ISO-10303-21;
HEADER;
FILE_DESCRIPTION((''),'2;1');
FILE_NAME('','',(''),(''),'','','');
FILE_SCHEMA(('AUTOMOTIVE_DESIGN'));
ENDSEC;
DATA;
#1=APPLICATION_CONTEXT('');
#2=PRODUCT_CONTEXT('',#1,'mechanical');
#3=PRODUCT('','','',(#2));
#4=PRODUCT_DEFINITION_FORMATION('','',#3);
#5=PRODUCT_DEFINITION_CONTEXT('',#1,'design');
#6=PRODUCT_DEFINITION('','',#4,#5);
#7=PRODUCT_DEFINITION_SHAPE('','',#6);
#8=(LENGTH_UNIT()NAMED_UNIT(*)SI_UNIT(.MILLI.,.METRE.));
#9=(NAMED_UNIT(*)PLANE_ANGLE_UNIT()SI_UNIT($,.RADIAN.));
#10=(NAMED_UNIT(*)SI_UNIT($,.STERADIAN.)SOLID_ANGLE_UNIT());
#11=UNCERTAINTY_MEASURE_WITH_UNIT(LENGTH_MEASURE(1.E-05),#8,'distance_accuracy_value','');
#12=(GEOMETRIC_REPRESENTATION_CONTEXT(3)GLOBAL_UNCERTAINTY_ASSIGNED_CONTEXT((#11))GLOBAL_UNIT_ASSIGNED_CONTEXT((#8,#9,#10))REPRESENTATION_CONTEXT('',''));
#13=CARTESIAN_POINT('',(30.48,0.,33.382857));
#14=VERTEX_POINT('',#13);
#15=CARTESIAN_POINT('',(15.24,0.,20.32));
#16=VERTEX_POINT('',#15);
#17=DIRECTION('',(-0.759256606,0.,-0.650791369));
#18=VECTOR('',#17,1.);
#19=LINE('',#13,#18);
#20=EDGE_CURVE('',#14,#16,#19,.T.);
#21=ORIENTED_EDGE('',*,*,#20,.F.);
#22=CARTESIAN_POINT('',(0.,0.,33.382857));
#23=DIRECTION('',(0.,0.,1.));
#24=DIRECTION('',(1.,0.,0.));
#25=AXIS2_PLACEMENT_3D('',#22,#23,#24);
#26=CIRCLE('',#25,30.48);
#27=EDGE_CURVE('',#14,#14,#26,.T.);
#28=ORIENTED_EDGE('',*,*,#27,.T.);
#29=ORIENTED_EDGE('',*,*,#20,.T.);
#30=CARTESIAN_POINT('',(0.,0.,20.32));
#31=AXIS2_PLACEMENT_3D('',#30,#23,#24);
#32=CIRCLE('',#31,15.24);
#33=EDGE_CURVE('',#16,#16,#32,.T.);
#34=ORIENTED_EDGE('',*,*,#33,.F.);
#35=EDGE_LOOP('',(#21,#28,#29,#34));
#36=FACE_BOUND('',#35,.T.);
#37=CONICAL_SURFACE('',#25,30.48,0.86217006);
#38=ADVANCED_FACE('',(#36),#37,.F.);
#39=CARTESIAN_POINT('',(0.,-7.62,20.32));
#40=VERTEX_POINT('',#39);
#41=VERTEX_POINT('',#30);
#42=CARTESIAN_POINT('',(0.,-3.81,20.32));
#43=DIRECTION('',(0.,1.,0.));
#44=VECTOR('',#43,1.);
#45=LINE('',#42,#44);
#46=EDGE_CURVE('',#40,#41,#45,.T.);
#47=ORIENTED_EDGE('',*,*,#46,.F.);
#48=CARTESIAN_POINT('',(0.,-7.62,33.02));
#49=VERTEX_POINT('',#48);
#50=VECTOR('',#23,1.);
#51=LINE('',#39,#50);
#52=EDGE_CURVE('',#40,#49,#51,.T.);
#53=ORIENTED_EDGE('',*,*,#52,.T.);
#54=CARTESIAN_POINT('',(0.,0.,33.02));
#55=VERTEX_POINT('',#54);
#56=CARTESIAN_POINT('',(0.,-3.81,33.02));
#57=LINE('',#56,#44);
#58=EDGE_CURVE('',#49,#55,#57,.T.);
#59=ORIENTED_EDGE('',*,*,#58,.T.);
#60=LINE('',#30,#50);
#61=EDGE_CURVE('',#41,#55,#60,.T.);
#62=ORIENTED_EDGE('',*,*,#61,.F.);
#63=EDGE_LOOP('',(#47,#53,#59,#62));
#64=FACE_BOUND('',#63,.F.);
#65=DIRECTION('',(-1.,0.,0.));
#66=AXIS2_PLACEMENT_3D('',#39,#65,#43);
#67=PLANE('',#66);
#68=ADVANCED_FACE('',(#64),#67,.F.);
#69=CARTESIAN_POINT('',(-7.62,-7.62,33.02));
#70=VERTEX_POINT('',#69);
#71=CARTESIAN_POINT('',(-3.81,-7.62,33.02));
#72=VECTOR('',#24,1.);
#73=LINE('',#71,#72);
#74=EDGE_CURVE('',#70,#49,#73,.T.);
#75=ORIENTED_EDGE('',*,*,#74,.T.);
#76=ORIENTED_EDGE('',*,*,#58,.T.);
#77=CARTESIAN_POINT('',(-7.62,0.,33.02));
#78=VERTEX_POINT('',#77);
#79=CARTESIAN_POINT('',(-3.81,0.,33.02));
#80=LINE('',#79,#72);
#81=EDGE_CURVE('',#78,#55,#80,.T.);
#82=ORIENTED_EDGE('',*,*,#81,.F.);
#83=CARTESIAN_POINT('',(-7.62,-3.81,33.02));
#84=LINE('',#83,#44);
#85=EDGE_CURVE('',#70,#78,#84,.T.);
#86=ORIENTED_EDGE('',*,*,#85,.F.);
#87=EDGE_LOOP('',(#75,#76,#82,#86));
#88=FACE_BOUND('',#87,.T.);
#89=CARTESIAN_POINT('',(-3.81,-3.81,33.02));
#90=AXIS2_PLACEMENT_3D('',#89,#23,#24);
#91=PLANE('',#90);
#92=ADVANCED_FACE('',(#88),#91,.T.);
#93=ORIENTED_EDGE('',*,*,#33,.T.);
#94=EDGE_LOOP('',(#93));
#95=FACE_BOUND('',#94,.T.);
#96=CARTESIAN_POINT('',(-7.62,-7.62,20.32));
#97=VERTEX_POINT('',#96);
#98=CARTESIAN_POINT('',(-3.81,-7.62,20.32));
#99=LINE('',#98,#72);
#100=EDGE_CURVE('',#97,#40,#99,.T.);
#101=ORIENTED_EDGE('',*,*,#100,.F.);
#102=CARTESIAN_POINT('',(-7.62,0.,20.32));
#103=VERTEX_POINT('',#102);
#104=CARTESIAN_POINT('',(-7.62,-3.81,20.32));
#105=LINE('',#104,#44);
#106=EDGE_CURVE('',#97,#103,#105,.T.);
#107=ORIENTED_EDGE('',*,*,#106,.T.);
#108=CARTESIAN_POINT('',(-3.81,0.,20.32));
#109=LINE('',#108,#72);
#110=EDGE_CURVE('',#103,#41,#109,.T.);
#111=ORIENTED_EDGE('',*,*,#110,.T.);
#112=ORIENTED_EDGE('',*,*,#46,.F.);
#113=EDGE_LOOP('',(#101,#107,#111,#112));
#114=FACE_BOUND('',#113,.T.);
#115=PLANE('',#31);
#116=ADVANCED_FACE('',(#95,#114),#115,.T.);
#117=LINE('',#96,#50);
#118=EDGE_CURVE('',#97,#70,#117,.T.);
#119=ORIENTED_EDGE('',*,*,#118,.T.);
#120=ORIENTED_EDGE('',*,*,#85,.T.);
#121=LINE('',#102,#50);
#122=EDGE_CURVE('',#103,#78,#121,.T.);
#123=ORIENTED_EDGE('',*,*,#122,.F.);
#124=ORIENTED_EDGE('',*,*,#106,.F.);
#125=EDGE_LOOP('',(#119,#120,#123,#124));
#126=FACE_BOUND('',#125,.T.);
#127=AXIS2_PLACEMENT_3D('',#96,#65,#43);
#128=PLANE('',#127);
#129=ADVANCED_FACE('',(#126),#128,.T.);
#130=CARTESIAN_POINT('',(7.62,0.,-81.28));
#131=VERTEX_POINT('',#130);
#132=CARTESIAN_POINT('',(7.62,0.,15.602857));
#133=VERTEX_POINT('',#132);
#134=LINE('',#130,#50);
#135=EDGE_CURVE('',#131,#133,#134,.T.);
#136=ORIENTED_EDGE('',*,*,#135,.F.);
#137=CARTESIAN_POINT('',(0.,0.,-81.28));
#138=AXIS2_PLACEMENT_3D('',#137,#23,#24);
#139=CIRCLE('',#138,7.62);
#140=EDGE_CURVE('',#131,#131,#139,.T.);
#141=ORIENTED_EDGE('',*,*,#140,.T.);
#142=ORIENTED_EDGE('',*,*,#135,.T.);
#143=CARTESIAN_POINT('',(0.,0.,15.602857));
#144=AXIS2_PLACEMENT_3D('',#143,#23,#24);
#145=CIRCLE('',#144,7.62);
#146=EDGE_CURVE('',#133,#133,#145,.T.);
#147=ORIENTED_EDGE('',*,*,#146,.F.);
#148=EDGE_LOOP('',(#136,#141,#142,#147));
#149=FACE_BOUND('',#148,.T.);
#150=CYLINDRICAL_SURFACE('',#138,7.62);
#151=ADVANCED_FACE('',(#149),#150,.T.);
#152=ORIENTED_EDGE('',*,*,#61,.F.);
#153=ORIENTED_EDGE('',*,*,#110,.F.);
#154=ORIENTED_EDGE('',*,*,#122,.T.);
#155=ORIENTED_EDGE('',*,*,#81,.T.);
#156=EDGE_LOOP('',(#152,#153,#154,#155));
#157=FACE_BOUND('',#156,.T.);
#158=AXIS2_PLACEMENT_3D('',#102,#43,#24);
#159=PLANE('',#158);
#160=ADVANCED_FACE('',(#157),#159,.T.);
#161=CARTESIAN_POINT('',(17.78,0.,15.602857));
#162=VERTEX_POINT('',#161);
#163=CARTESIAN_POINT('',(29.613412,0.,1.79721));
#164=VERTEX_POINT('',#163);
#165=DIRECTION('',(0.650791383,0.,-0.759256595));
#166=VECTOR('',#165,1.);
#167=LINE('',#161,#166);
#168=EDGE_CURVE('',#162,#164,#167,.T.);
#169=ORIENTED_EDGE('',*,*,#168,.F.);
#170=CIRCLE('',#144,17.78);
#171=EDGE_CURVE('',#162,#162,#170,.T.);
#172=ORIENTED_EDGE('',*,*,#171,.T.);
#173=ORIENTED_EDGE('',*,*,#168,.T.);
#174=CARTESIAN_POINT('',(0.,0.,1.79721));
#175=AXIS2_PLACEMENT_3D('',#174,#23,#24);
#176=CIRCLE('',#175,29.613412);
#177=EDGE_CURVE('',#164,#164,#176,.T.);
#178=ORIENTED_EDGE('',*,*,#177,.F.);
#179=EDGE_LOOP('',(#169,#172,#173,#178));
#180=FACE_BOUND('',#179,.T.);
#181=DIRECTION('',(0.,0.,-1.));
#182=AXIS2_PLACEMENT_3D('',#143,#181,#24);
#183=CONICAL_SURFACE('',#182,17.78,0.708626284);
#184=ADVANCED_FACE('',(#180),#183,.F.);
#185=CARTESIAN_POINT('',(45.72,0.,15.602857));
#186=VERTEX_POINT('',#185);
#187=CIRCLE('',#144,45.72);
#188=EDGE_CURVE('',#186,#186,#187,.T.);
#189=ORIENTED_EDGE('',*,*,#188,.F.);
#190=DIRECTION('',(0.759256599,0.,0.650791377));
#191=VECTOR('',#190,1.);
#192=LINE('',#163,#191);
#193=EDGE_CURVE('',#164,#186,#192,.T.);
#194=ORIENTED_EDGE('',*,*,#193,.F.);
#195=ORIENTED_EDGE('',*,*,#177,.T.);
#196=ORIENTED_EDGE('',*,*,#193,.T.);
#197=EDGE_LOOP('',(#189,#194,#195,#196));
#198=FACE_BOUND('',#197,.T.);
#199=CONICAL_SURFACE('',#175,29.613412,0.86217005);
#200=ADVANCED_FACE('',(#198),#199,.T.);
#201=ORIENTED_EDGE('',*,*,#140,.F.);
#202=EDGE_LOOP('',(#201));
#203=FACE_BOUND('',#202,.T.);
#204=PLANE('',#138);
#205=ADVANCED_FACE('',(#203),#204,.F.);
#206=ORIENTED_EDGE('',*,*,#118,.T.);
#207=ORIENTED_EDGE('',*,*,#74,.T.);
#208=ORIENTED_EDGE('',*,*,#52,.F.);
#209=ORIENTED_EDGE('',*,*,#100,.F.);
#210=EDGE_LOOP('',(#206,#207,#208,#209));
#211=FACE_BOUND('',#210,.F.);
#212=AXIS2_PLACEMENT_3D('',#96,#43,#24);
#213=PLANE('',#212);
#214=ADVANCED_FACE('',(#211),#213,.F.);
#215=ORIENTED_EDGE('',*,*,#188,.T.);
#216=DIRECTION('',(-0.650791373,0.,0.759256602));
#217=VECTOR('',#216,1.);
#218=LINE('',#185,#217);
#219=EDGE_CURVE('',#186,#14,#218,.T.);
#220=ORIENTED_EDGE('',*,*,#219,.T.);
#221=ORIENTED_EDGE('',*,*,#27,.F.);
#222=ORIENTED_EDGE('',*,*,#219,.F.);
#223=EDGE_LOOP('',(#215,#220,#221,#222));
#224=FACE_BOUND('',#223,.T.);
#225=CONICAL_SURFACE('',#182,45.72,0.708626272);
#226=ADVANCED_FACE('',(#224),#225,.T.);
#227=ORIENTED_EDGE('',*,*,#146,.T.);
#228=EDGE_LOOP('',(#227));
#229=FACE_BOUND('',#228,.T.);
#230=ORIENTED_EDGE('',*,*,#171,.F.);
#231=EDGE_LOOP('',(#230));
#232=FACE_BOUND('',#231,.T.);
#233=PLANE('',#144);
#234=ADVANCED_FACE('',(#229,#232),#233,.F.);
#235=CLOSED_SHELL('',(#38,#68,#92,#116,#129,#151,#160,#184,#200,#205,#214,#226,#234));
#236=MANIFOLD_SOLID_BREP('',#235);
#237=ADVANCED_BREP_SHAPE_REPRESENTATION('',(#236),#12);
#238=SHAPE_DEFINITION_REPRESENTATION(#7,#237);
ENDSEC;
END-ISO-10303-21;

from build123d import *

# Parameters (mm, degrees)
F2_W     = 7.62
F2_H     = 7.62
F3_DEPTH = 12.7


with BuildPart() as f1:
    # F0 (on Front) → F1 (revolve)
    with BuildSketch(Plane.XZ):
        Polygon((15.24, 20.32), (0, 20.32), (0, -81.28), (7.62, -81.28), (7.62, 15.602857), (17.78, 15.602857), (29.613412, 1.79721), (45.72, 15.602857), (30.48, 33.382857), align=None)
    revolve(axis=Axis((0, 0, -30.48), (0, 0, 1)))

    # F2 (on face) → F3 (join)
    with BuildSketch(Plane.XY.offset(20.32)):
        with Locations((-3.81, -3.81)):
            Rectangle(F2_W, F2_H)
    extrude(amount=F3_DEPTH)


solid = f1.part
